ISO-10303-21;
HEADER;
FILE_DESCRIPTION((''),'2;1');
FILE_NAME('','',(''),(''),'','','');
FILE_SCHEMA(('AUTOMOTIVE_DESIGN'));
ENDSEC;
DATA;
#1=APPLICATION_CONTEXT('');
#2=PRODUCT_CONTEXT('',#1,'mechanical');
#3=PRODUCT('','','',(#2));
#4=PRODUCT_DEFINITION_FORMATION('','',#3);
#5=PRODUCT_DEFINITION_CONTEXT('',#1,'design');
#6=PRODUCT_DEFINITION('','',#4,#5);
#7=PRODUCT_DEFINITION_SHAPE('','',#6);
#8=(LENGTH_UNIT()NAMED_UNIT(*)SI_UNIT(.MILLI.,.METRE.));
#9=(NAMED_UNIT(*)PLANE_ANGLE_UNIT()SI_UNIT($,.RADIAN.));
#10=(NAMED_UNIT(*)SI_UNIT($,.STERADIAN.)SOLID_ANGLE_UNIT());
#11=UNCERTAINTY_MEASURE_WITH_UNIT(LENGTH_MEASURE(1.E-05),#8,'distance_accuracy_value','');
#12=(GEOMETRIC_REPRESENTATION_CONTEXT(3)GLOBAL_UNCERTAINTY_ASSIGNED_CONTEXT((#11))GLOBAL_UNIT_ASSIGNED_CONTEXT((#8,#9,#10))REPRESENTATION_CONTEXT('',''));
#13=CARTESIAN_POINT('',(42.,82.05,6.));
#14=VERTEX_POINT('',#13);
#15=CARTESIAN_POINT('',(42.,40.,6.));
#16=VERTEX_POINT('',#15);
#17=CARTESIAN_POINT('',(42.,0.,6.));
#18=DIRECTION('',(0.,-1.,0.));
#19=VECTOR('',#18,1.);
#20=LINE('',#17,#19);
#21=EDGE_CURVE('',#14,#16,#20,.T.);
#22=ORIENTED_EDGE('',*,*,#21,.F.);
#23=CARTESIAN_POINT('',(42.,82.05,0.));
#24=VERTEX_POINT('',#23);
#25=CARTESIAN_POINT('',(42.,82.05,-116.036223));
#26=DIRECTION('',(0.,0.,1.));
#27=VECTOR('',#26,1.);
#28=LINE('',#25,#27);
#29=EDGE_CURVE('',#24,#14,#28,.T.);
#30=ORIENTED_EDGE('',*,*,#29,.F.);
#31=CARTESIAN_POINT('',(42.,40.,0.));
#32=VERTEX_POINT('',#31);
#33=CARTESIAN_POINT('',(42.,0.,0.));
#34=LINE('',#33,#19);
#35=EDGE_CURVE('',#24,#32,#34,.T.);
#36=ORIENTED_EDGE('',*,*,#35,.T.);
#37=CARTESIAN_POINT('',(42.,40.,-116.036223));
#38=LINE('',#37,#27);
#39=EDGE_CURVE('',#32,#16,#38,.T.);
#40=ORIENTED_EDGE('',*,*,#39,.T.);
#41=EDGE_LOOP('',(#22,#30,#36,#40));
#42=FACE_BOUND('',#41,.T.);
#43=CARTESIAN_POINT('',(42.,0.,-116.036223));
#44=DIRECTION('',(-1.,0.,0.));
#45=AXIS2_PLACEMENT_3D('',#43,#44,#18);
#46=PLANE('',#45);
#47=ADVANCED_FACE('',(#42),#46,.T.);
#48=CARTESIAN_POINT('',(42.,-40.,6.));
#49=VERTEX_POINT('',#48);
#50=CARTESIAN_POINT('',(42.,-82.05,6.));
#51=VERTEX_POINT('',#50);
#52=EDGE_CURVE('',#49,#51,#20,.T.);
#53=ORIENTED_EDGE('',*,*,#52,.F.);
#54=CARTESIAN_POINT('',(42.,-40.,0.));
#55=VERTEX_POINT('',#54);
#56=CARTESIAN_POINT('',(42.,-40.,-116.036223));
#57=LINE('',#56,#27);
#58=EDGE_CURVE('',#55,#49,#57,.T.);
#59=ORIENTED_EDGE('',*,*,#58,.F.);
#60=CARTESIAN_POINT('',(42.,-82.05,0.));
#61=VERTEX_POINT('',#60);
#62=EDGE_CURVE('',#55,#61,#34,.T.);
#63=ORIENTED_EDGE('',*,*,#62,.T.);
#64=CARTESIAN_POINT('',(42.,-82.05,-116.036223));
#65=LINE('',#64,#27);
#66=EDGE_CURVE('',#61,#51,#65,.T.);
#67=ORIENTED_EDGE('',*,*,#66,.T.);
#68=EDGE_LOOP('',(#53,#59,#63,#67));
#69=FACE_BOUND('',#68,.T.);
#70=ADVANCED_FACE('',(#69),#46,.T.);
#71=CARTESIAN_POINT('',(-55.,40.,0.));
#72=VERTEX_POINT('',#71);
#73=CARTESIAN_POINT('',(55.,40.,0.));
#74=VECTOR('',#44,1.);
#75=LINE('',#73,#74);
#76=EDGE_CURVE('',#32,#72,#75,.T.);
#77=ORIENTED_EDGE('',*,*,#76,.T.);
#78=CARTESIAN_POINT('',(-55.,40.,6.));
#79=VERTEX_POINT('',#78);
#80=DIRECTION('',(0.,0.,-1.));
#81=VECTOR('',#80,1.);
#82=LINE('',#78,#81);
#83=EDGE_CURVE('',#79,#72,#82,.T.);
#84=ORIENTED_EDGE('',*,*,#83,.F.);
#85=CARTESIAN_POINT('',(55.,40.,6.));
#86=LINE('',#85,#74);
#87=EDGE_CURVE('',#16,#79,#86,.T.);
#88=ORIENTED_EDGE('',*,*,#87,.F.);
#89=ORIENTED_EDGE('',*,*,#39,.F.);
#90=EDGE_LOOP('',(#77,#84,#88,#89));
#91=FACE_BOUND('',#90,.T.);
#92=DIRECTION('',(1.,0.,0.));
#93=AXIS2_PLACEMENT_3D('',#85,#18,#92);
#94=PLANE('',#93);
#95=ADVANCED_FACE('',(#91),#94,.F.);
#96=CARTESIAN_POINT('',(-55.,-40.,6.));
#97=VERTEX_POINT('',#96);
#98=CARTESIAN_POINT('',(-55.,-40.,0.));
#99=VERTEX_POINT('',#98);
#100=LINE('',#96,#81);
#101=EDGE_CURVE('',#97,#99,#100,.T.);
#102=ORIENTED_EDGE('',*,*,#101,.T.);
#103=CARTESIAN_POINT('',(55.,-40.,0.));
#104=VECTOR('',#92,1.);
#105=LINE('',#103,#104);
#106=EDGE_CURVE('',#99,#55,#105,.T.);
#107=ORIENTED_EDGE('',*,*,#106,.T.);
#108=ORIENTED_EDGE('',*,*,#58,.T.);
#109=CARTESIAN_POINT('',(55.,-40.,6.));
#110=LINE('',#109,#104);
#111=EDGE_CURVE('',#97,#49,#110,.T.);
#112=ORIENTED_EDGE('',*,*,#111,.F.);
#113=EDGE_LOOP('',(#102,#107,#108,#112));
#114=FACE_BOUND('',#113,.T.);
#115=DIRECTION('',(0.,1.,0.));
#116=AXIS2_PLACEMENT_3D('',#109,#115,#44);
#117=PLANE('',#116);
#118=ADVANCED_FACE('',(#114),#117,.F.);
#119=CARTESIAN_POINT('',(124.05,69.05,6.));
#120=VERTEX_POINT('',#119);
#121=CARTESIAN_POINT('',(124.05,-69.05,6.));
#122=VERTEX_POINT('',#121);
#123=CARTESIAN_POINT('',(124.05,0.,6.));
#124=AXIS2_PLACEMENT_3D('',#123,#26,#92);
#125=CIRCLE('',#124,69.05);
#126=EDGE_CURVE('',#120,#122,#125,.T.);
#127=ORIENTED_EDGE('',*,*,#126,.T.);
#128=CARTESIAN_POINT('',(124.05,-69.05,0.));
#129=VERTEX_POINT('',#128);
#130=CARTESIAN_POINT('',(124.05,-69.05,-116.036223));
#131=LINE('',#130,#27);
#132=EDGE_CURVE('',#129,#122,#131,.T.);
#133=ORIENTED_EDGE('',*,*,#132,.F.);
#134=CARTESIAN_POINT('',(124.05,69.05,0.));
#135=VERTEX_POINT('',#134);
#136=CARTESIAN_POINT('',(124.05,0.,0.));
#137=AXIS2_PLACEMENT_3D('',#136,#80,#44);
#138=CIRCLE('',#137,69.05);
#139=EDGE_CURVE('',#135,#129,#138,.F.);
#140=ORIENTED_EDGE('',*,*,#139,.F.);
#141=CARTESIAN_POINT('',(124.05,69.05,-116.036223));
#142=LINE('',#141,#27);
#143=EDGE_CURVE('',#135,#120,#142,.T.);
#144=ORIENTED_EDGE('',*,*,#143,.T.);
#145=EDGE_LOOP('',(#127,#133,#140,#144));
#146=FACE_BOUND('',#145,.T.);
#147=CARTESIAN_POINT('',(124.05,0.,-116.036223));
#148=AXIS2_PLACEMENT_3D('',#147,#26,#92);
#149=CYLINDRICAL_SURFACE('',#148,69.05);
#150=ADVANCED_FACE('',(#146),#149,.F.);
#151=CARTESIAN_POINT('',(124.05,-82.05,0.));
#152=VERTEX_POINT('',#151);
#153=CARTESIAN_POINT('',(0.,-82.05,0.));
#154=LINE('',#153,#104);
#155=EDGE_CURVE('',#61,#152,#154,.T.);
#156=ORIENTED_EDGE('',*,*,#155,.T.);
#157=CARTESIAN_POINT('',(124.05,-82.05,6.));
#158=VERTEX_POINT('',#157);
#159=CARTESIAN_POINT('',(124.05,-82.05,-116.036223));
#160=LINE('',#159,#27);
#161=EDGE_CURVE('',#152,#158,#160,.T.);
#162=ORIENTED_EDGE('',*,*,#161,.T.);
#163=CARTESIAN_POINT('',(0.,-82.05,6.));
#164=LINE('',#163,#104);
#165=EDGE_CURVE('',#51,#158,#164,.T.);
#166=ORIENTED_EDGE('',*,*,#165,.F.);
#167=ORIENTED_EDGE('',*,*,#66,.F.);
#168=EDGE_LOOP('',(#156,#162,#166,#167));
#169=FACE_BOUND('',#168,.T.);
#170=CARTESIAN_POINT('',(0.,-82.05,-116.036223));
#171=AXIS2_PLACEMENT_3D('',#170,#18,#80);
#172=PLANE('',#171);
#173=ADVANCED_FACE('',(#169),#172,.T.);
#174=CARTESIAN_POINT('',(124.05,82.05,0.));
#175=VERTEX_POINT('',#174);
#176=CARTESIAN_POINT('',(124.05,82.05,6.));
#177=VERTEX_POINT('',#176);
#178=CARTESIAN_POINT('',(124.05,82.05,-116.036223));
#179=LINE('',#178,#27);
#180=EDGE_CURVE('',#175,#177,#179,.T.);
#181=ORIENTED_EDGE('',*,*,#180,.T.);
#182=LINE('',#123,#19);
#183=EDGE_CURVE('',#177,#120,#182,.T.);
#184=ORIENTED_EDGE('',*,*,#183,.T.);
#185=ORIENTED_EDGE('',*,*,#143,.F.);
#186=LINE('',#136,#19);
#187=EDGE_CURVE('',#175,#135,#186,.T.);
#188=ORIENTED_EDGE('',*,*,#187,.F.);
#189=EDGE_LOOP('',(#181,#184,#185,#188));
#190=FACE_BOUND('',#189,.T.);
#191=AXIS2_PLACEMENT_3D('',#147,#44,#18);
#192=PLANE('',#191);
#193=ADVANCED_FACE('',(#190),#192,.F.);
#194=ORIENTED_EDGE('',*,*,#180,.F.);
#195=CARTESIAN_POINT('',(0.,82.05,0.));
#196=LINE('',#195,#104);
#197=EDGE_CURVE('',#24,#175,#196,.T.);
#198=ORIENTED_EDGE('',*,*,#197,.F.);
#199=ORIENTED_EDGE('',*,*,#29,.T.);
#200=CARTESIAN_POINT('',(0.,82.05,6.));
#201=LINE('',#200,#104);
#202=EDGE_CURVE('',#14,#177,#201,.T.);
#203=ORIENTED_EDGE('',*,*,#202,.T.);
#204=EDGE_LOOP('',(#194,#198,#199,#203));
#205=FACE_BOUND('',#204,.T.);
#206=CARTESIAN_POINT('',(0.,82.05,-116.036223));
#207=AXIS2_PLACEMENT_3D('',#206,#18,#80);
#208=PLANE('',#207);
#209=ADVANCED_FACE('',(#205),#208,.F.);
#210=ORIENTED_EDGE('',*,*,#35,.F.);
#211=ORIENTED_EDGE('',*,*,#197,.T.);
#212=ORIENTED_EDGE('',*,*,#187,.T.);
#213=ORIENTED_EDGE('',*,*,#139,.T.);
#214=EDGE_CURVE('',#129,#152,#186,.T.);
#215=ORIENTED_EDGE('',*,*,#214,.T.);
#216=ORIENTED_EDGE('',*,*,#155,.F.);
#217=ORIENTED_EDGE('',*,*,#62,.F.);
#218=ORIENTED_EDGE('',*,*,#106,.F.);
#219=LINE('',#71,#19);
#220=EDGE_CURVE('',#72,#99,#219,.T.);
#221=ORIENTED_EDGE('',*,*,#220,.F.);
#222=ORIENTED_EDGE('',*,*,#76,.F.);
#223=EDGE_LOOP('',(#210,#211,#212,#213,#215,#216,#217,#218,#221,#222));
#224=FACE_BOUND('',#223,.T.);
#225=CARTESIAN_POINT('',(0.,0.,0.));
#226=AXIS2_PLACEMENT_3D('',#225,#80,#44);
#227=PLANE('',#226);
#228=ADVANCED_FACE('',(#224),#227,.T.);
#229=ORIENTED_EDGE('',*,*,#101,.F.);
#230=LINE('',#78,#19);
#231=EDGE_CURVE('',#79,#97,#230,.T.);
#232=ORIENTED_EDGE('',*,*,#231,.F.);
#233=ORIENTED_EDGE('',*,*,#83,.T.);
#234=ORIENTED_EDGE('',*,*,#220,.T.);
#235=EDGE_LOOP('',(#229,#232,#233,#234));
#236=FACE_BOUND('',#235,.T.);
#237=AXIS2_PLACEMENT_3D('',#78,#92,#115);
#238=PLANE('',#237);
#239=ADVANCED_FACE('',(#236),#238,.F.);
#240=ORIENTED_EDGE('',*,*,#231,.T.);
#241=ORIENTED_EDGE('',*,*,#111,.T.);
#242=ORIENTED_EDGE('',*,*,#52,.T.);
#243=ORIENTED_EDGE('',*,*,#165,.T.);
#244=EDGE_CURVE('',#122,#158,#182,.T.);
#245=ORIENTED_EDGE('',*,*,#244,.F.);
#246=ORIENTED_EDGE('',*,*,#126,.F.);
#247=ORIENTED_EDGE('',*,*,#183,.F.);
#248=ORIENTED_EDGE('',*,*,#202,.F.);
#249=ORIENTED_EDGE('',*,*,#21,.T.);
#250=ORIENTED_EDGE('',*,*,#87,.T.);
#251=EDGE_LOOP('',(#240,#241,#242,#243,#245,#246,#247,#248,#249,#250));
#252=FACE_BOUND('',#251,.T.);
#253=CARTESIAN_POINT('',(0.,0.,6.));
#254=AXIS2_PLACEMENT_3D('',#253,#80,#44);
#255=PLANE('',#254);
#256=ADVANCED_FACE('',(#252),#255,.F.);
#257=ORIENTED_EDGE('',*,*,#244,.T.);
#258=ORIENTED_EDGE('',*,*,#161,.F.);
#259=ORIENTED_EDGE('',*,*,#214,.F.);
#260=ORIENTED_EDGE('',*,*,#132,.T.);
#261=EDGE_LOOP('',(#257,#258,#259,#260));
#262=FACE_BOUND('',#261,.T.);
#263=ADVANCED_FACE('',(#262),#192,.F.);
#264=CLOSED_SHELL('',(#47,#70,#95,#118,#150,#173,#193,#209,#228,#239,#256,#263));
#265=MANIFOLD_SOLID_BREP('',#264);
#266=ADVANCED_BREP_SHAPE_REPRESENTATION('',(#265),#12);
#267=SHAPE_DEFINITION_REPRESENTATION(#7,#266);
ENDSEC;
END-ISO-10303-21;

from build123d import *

# Parameters (mm, degrees)
SKETCH_1_W      = 110
SKETCH_1_H      = 80
EXTRUDE_1_DEPTH = 6
EXTRUDE_2_DEPTH = 6


with BuildPart() as part:
    # Эскиз1 → Бобышка-Вытянуть1 (new body)
    with BuildSketch(Plane.XY):
        Rectangle(SKETCH_1_W, SKETCH_1_H)
    extrude(amount=EXTRUDE_1_DEPTH)

    # Эскиз2 → Бобышка-Вытянуть2 (add)
    with BuildSketch(Plane.XY.offset(6)):
        with BuildLine():
            Line((124.05, 82.05), (42, 82.05))
            Line((42, 82.05), (42, -82.05))
            Line((42, -82.05), (124.05, -82.05))
            Line((124.05, -82.05), (124.05, -69.05))
            ThreePointArc((124.05, -69.05), (55, 0), (124.05, 69.05))
            Line((124.05, 69.05), (124.05, 82.05))
        make_face()
    extrude(amount=-EXTRUDE_2_DEPTH)


solid = part.part
